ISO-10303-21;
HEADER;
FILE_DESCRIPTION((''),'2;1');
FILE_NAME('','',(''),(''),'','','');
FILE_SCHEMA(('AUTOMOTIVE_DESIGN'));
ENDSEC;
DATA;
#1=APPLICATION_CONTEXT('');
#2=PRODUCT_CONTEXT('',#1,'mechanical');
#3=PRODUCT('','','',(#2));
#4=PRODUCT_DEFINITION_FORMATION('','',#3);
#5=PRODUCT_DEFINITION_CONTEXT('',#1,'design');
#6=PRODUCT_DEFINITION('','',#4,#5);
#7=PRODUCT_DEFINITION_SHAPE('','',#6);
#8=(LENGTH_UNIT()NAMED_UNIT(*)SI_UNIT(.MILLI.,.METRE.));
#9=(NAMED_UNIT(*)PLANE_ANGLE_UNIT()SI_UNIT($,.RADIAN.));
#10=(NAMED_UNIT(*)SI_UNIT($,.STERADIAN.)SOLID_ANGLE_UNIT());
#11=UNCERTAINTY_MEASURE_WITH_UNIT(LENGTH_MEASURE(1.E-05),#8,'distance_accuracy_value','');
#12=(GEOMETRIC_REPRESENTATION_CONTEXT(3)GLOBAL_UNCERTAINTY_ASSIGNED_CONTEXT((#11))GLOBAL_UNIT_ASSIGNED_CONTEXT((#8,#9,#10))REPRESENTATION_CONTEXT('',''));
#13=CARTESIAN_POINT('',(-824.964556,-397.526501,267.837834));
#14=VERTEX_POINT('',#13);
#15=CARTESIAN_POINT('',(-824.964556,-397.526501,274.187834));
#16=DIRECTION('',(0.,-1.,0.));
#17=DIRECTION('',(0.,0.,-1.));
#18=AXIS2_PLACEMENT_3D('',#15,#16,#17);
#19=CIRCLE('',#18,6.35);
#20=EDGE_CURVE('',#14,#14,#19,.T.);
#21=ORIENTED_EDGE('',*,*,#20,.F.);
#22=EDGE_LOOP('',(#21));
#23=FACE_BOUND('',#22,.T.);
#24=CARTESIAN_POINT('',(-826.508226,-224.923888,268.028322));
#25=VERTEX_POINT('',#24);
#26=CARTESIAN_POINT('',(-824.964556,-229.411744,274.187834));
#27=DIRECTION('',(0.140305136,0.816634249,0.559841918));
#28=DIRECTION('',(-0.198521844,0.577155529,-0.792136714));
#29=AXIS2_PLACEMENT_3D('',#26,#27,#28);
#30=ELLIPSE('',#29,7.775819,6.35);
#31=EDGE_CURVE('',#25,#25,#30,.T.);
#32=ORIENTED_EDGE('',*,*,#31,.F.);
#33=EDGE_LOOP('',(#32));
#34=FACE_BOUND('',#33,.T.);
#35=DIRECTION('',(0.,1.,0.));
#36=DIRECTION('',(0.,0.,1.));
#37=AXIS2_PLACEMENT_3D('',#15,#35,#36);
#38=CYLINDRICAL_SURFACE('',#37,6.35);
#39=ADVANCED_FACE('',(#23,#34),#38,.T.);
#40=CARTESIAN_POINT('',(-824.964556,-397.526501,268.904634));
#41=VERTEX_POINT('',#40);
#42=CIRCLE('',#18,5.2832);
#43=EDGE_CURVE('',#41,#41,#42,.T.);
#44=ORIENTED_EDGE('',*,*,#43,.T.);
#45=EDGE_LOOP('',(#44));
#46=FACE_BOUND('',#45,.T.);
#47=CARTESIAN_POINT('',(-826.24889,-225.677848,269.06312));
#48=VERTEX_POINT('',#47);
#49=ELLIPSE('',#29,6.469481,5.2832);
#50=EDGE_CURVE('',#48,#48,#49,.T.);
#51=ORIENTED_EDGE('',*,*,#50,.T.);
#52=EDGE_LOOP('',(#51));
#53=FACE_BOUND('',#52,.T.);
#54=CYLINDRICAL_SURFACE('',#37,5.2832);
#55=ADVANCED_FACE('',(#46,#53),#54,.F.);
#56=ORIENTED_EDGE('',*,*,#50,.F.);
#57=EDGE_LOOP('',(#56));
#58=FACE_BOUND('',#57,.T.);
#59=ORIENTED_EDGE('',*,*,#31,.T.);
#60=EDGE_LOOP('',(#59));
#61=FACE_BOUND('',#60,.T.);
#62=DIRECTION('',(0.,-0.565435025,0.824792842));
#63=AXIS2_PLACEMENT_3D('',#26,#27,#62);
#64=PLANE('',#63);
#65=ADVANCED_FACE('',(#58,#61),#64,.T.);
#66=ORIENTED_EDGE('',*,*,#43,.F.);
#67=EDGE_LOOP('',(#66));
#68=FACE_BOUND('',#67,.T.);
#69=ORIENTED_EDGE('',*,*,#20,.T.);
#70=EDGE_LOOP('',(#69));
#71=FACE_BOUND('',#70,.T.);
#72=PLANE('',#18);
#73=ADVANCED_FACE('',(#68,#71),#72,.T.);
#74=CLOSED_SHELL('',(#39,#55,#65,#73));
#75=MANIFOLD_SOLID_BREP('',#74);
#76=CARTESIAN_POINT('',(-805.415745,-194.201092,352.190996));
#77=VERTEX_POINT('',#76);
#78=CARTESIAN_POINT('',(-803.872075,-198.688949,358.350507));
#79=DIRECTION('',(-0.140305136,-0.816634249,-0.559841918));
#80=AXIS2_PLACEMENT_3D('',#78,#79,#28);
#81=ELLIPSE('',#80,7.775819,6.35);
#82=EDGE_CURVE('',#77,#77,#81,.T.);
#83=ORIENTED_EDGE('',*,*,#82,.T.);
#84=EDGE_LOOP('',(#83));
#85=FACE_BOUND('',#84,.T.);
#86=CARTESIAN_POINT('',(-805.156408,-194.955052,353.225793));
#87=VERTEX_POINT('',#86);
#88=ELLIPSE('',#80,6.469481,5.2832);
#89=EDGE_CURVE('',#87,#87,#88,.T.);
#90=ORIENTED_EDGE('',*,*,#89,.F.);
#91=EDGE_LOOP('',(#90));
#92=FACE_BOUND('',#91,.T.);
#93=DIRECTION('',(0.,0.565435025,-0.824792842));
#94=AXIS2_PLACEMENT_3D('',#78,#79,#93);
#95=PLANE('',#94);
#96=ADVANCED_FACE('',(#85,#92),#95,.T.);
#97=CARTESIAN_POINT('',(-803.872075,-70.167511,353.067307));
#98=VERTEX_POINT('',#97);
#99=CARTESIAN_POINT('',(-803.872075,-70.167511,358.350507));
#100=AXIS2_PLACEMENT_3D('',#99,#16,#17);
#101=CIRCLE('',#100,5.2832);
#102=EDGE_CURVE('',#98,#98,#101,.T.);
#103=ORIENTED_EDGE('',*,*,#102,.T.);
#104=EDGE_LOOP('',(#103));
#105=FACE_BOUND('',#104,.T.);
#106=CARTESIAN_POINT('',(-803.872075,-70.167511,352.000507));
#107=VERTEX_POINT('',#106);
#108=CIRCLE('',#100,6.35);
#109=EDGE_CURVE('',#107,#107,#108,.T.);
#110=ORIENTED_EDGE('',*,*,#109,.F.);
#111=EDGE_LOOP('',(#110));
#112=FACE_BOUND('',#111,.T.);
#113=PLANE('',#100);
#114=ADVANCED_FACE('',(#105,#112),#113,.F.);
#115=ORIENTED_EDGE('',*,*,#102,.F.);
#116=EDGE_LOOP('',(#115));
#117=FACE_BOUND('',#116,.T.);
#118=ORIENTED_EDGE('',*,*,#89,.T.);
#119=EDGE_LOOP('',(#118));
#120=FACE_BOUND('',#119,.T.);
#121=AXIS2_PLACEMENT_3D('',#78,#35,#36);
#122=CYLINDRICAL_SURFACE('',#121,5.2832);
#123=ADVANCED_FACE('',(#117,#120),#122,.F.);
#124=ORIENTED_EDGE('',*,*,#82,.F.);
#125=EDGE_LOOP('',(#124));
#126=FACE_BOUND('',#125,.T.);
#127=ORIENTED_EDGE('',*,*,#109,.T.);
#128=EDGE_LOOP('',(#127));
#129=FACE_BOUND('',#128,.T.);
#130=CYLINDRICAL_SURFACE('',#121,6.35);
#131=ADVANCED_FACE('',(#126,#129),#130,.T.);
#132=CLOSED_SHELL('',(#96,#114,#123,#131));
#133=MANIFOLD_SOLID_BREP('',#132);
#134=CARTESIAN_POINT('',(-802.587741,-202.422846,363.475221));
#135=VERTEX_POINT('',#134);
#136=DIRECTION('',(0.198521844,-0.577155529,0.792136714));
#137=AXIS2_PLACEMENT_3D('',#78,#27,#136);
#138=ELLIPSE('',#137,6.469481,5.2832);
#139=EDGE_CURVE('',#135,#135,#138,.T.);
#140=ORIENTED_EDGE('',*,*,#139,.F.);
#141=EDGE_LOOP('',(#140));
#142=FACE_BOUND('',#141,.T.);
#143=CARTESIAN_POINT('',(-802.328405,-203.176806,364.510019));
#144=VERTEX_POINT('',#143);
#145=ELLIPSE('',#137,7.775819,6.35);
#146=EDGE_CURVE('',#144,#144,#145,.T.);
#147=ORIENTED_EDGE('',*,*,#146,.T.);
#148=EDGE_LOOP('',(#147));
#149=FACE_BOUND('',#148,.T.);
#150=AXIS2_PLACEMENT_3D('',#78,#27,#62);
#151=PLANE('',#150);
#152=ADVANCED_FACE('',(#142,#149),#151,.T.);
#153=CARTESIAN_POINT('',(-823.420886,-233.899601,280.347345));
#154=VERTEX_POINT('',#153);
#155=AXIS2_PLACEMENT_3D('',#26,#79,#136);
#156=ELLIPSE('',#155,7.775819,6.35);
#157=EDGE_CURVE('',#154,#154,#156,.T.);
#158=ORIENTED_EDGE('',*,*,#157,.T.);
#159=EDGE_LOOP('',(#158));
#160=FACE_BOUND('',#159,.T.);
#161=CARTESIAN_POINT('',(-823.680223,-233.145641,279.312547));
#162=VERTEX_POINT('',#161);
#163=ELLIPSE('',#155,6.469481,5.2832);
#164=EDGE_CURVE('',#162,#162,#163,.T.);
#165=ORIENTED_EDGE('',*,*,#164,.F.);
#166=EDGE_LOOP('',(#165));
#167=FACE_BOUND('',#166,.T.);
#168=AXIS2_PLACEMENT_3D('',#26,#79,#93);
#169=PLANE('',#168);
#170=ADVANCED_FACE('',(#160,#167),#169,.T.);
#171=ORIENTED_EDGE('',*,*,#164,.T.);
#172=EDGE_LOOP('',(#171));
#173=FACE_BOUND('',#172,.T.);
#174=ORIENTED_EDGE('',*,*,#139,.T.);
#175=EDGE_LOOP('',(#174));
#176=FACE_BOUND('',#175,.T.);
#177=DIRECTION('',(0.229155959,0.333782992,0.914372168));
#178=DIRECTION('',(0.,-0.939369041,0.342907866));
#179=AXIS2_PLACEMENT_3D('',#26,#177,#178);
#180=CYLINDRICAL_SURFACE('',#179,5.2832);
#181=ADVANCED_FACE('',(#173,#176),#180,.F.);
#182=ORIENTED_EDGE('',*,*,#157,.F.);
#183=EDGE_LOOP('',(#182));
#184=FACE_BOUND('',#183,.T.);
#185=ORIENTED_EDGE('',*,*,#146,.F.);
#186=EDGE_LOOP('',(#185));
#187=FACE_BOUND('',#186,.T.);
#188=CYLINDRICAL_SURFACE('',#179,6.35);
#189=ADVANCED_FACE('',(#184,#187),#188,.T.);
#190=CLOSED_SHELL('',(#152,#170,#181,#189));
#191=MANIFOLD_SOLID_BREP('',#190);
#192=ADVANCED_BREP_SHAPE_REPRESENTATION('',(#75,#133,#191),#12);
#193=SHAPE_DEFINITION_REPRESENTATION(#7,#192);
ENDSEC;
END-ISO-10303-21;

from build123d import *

# Parameters (mm, degrees)
SKETCH1_R                 = 6.35
SKETCH1_R_2               = 5.2832
PIPE_0_5_SCH_40_1_DEPTH   = 135.868226331
SKETCH1_ON_SEGMENT_2_R    = 6.35
SKETCH1_ON_SEGMENT_2_R_2  = 5.2832
PIPE_0_5_SCH_40_1_2_DEPTH = 106.737796737
SKETCH1_ON_SEGMENT_3_R    = 6.35
SKETCH1_ON_SEGMENT_3_R_2  = 5.2832
PIPE_0_5_SCH_40_1_3_DEPTH = 175.461544754


with BuildPart() as part:
    # Sketch1 → Pipe 0.5 SCH 40(1) (new body)
    with BuildSketch(Plane(origin=(-803.872074604, -70.16751082, 358.35050715), x_dir=(1, 0, 0), z_dir=(0, -1, 0))):
        Circle(SKETCH1_R)
        Circle(SKETCH1_R_2, mode=Mode.SUBTRACT)
    extrude(amount=PIPE_0_5_SCH_40_1_DEPTH)

    # Pipe 0.5 SCH 40(1) mitre 1
    split(bisect_by=Plane(origin=(-803.872074604, -198.688949127, 358.35050715), x_dir=(-0.985559743, 0.169328061, 0), z_dir=(0.140305136, 0.816634249, 0.559841918)), keep=Keep.TOP)


with BuildPart() as body_2:
    # Sketch1 on segment 2 (carried to segment 2) → Pipe 0.5 SCH 40_1 2 (new body)
    with BuildSketch(Plane(origin=(-802.188514347, -196.236716241, 365.06820564), x_dir=(0.960628937, -0.229155959, -0.157097393), z_dir=(-0.229155959, -0.333782992, -0.914372168))):
        Circle(SKETCH1_ON_SEGMENT_2_R)
        Circle(SKETCH1_ON_SEGMENT_2_R_2, mode=Mode.SUBTRACT)
    extrude(amount=PIPE_0_5_SCH_40_1_2_DEPTH)

    # Pipe 0.5 SCH 40_1 2 mitre 1
    split(bisect_by=Plane(origin=(-803.872074604, -198.688949127, 358.35050715), x_dir=(0.985559743, -0.169328061, 0), z_dir=(-0.140305136, -0.816634249, -0.559841918)), keep=Keep.TOP)

    # Pipe 0.5 SCH 40_1 2 mitre 2
    split(bisect_by=Plane(origin=(-824.964556297, -229.411744477, 274.187833569), x_dir=(-0.985559743, 0.169328061, 0), z_dir=(0.140305136, 0.816634249, 0.559841918)), keep=Keep.TOP)


with BuildPart() as body_3:
    # Sketch1 on segment 3 (carried to segment 3) → Pipe 0.5 SCH 40_1 3 (new body)
    with BuildSketch(Plane(origin=(-824.964556297, -222.064956453, 274.187833569), x_dir=(1, 0, 0), z_dir=(0, -1, 0))):
        Circle(SKETCH1_ON_SEGMENT_3_R)
        Circle(SKETCH1_ON_SEGMENT_3_R_2, mode=Mode.SUBTRACT)
    extrude(amount=PIPE_0_5_SCH_40_1_3_DEPTH)

    # Pipe 0.5 SCH 40_1 3 mitre 1
    split(bisect_by=Plane(origin=(-824.964556297, -229.411744477, 274.187833569), x_dir=(0.985559743, -0.169328061, 0), z_dir=(-0.140305136, -0.816634249, -0.559841918)), keep=Keep.TOP)


solid = Compound([part.part, body_2.part, body_3.part])
